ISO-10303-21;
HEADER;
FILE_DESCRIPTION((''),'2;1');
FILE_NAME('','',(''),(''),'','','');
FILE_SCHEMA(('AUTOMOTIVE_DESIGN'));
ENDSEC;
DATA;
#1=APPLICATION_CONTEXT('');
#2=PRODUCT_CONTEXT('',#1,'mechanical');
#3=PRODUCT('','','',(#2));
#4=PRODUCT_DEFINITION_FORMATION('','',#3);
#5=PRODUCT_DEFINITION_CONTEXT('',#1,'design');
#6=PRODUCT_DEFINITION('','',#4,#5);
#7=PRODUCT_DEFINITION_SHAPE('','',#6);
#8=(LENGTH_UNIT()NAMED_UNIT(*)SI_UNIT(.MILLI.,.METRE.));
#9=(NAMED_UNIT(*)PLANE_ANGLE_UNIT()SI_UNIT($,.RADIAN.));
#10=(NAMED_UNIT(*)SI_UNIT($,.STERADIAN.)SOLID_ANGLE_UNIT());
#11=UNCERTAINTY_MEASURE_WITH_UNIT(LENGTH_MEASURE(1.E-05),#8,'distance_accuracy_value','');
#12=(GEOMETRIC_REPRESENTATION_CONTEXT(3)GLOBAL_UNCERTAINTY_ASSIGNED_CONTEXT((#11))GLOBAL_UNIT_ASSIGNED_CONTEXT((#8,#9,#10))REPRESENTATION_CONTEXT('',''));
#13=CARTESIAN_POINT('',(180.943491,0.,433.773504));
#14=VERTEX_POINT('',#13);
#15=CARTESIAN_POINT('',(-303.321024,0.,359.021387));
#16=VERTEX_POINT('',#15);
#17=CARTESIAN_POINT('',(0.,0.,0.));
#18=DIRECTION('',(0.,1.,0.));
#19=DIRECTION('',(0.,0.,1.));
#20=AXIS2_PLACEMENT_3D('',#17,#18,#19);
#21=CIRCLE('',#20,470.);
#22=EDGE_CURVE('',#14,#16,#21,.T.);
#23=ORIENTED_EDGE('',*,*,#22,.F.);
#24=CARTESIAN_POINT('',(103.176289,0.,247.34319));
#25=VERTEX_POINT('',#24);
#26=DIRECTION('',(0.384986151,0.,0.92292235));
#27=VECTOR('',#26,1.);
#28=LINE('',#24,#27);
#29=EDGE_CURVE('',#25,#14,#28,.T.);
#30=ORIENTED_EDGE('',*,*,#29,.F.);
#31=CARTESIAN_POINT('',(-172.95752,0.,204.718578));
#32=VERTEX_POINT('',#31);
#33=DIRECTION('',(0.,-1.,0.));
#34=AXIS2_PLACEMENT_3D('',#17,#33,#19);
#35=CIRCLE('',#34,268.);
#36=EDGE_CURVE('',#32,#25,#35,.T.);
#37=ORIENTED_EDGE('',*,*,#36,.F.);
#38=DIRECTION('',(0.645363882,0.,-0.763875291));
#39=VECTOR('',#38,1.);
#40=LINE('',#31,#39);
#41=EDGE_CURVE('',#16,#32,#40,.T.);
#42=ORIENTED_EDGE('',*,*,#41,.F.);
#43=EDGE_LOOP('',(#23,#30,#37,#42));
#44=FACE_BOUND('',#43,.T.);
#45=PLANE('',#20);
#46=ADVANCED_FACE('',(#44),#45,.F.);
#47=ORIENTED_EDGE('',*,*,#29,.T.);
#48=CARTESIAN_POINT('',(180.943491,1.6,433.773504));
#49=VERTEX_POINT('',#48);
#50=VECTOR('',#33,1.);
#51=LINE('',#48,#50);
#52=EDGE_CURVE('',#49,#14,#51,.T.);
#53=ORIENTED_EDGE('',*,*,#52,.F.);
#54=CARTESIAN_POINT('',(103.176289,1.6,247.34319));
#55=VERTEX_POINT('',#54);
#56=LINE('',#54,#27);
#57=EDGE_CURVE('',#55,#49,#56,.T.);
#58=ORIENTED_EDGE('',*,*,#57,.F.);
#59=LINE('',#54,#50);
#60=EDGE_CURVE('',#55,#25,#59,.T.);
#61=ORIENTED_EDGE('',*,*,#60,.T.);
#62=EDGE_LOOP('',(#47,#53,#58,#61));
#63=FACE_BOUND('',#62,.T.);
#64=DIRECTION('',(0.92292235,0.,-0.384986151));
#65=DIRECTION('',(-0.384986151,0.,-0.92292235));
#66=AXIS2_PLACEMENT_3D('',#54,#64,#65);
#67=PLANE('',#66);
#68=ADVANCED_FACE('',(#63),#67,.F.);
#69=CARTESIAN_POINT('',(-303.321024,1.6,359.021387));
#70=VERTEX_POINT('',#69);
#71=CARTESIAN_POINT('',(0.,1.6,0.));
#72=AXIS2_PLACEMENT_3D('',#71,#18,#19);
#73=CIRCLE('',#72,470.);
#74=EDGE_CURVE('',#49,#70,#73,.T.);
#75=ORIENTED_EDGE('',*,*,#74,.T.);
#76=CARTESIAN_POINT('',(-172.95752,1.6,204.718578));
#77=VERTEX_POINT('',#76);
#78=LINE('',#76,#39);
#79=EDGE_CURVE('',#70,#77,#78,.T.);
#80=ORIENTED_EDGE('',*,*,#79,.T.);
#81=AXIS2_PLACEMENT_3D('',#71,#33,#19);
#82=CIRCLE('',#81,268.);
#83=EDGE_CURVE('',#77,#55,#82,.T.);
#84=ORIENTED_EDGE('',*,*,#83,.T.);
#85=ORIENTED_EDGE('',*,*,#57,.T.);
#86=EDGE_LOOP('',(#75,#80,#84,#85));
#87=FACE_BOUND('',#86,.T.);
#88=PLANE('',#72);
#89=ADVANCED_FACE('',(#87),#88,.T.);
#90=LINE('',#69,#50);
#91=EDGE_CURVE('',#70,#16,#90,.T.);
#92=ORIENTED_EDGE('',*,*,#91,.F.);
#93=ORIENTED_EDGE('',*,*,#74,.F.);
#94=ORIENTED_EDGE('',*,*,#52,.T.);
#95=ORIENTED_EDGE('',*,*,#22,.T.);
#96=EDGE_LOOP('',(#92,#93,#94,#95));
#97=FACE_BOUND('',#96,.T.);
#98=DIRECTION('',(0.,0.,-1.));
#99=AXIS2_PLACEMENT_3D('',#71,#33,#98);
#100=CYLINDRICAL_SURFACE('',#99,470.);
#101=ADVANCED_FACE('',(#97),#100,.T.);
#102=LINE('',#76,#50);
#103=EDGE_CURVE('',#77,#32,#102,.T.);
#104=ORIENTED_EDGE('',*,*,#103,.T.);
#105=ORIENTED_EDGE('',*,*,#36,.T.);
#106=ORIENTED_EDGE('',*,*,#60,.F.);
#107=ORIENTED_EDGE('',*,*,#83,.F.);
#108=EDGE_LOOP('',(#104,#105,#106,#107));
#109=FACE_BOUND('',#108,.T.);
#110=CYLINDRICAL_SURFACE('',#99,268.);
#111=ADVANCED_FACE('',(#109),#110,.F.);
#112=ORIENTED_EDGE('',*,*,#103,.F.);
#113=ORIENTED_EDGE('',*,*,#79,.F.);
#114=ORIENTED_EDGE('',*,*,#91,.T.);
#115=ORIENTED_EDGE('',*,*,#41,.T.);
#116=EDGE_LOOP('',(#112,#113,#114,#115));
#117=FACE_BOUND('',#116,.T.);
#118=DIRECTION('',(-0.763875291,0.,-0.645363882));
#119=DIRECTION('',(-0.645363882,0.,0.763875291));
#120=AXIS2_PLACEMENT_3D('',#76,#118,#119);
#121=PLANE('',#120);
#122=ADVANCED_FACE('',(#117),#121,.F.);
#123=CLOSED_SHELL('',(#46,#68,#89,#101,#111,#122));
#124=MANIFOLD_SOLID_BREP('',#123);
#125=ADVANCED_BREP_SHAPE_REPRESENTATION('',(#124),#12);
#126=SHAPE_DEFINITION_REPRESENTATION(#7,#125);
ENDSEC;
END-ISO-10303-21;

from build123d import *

# Parameters (mm, degrees)
BOSS_EXTRUDE1_DEPTH = 1.6


with BuildPart() as part:
    # Sketch1 → Boss-Extrude1 (new body)
    with BuildSketch(Plane(origin=(0, 0, 0), x_dir=(1, 0, 0), z_dir=(0, 1, 0))):
        with BuildLine():
            Line((-172.957520304, -204.718577981), (-303.321024413, -359.021386757))
            ThreePointArc((-303.321024413, -359.021386757), (71.701010727, 464.498616856), (180.943491032, -433.773504323))
            Line((180.943491032, -433.773504323), (103.176288503, -247.343189699))
            ThreePointArc((103.176288503, -247.343189699), (40.884831648, 264.863041101), (-172.957520304, -204.718577981))
        make_face()
    extrude(amount=BOSS_EXTRUDE1_DEPTH)


solid = part.part
